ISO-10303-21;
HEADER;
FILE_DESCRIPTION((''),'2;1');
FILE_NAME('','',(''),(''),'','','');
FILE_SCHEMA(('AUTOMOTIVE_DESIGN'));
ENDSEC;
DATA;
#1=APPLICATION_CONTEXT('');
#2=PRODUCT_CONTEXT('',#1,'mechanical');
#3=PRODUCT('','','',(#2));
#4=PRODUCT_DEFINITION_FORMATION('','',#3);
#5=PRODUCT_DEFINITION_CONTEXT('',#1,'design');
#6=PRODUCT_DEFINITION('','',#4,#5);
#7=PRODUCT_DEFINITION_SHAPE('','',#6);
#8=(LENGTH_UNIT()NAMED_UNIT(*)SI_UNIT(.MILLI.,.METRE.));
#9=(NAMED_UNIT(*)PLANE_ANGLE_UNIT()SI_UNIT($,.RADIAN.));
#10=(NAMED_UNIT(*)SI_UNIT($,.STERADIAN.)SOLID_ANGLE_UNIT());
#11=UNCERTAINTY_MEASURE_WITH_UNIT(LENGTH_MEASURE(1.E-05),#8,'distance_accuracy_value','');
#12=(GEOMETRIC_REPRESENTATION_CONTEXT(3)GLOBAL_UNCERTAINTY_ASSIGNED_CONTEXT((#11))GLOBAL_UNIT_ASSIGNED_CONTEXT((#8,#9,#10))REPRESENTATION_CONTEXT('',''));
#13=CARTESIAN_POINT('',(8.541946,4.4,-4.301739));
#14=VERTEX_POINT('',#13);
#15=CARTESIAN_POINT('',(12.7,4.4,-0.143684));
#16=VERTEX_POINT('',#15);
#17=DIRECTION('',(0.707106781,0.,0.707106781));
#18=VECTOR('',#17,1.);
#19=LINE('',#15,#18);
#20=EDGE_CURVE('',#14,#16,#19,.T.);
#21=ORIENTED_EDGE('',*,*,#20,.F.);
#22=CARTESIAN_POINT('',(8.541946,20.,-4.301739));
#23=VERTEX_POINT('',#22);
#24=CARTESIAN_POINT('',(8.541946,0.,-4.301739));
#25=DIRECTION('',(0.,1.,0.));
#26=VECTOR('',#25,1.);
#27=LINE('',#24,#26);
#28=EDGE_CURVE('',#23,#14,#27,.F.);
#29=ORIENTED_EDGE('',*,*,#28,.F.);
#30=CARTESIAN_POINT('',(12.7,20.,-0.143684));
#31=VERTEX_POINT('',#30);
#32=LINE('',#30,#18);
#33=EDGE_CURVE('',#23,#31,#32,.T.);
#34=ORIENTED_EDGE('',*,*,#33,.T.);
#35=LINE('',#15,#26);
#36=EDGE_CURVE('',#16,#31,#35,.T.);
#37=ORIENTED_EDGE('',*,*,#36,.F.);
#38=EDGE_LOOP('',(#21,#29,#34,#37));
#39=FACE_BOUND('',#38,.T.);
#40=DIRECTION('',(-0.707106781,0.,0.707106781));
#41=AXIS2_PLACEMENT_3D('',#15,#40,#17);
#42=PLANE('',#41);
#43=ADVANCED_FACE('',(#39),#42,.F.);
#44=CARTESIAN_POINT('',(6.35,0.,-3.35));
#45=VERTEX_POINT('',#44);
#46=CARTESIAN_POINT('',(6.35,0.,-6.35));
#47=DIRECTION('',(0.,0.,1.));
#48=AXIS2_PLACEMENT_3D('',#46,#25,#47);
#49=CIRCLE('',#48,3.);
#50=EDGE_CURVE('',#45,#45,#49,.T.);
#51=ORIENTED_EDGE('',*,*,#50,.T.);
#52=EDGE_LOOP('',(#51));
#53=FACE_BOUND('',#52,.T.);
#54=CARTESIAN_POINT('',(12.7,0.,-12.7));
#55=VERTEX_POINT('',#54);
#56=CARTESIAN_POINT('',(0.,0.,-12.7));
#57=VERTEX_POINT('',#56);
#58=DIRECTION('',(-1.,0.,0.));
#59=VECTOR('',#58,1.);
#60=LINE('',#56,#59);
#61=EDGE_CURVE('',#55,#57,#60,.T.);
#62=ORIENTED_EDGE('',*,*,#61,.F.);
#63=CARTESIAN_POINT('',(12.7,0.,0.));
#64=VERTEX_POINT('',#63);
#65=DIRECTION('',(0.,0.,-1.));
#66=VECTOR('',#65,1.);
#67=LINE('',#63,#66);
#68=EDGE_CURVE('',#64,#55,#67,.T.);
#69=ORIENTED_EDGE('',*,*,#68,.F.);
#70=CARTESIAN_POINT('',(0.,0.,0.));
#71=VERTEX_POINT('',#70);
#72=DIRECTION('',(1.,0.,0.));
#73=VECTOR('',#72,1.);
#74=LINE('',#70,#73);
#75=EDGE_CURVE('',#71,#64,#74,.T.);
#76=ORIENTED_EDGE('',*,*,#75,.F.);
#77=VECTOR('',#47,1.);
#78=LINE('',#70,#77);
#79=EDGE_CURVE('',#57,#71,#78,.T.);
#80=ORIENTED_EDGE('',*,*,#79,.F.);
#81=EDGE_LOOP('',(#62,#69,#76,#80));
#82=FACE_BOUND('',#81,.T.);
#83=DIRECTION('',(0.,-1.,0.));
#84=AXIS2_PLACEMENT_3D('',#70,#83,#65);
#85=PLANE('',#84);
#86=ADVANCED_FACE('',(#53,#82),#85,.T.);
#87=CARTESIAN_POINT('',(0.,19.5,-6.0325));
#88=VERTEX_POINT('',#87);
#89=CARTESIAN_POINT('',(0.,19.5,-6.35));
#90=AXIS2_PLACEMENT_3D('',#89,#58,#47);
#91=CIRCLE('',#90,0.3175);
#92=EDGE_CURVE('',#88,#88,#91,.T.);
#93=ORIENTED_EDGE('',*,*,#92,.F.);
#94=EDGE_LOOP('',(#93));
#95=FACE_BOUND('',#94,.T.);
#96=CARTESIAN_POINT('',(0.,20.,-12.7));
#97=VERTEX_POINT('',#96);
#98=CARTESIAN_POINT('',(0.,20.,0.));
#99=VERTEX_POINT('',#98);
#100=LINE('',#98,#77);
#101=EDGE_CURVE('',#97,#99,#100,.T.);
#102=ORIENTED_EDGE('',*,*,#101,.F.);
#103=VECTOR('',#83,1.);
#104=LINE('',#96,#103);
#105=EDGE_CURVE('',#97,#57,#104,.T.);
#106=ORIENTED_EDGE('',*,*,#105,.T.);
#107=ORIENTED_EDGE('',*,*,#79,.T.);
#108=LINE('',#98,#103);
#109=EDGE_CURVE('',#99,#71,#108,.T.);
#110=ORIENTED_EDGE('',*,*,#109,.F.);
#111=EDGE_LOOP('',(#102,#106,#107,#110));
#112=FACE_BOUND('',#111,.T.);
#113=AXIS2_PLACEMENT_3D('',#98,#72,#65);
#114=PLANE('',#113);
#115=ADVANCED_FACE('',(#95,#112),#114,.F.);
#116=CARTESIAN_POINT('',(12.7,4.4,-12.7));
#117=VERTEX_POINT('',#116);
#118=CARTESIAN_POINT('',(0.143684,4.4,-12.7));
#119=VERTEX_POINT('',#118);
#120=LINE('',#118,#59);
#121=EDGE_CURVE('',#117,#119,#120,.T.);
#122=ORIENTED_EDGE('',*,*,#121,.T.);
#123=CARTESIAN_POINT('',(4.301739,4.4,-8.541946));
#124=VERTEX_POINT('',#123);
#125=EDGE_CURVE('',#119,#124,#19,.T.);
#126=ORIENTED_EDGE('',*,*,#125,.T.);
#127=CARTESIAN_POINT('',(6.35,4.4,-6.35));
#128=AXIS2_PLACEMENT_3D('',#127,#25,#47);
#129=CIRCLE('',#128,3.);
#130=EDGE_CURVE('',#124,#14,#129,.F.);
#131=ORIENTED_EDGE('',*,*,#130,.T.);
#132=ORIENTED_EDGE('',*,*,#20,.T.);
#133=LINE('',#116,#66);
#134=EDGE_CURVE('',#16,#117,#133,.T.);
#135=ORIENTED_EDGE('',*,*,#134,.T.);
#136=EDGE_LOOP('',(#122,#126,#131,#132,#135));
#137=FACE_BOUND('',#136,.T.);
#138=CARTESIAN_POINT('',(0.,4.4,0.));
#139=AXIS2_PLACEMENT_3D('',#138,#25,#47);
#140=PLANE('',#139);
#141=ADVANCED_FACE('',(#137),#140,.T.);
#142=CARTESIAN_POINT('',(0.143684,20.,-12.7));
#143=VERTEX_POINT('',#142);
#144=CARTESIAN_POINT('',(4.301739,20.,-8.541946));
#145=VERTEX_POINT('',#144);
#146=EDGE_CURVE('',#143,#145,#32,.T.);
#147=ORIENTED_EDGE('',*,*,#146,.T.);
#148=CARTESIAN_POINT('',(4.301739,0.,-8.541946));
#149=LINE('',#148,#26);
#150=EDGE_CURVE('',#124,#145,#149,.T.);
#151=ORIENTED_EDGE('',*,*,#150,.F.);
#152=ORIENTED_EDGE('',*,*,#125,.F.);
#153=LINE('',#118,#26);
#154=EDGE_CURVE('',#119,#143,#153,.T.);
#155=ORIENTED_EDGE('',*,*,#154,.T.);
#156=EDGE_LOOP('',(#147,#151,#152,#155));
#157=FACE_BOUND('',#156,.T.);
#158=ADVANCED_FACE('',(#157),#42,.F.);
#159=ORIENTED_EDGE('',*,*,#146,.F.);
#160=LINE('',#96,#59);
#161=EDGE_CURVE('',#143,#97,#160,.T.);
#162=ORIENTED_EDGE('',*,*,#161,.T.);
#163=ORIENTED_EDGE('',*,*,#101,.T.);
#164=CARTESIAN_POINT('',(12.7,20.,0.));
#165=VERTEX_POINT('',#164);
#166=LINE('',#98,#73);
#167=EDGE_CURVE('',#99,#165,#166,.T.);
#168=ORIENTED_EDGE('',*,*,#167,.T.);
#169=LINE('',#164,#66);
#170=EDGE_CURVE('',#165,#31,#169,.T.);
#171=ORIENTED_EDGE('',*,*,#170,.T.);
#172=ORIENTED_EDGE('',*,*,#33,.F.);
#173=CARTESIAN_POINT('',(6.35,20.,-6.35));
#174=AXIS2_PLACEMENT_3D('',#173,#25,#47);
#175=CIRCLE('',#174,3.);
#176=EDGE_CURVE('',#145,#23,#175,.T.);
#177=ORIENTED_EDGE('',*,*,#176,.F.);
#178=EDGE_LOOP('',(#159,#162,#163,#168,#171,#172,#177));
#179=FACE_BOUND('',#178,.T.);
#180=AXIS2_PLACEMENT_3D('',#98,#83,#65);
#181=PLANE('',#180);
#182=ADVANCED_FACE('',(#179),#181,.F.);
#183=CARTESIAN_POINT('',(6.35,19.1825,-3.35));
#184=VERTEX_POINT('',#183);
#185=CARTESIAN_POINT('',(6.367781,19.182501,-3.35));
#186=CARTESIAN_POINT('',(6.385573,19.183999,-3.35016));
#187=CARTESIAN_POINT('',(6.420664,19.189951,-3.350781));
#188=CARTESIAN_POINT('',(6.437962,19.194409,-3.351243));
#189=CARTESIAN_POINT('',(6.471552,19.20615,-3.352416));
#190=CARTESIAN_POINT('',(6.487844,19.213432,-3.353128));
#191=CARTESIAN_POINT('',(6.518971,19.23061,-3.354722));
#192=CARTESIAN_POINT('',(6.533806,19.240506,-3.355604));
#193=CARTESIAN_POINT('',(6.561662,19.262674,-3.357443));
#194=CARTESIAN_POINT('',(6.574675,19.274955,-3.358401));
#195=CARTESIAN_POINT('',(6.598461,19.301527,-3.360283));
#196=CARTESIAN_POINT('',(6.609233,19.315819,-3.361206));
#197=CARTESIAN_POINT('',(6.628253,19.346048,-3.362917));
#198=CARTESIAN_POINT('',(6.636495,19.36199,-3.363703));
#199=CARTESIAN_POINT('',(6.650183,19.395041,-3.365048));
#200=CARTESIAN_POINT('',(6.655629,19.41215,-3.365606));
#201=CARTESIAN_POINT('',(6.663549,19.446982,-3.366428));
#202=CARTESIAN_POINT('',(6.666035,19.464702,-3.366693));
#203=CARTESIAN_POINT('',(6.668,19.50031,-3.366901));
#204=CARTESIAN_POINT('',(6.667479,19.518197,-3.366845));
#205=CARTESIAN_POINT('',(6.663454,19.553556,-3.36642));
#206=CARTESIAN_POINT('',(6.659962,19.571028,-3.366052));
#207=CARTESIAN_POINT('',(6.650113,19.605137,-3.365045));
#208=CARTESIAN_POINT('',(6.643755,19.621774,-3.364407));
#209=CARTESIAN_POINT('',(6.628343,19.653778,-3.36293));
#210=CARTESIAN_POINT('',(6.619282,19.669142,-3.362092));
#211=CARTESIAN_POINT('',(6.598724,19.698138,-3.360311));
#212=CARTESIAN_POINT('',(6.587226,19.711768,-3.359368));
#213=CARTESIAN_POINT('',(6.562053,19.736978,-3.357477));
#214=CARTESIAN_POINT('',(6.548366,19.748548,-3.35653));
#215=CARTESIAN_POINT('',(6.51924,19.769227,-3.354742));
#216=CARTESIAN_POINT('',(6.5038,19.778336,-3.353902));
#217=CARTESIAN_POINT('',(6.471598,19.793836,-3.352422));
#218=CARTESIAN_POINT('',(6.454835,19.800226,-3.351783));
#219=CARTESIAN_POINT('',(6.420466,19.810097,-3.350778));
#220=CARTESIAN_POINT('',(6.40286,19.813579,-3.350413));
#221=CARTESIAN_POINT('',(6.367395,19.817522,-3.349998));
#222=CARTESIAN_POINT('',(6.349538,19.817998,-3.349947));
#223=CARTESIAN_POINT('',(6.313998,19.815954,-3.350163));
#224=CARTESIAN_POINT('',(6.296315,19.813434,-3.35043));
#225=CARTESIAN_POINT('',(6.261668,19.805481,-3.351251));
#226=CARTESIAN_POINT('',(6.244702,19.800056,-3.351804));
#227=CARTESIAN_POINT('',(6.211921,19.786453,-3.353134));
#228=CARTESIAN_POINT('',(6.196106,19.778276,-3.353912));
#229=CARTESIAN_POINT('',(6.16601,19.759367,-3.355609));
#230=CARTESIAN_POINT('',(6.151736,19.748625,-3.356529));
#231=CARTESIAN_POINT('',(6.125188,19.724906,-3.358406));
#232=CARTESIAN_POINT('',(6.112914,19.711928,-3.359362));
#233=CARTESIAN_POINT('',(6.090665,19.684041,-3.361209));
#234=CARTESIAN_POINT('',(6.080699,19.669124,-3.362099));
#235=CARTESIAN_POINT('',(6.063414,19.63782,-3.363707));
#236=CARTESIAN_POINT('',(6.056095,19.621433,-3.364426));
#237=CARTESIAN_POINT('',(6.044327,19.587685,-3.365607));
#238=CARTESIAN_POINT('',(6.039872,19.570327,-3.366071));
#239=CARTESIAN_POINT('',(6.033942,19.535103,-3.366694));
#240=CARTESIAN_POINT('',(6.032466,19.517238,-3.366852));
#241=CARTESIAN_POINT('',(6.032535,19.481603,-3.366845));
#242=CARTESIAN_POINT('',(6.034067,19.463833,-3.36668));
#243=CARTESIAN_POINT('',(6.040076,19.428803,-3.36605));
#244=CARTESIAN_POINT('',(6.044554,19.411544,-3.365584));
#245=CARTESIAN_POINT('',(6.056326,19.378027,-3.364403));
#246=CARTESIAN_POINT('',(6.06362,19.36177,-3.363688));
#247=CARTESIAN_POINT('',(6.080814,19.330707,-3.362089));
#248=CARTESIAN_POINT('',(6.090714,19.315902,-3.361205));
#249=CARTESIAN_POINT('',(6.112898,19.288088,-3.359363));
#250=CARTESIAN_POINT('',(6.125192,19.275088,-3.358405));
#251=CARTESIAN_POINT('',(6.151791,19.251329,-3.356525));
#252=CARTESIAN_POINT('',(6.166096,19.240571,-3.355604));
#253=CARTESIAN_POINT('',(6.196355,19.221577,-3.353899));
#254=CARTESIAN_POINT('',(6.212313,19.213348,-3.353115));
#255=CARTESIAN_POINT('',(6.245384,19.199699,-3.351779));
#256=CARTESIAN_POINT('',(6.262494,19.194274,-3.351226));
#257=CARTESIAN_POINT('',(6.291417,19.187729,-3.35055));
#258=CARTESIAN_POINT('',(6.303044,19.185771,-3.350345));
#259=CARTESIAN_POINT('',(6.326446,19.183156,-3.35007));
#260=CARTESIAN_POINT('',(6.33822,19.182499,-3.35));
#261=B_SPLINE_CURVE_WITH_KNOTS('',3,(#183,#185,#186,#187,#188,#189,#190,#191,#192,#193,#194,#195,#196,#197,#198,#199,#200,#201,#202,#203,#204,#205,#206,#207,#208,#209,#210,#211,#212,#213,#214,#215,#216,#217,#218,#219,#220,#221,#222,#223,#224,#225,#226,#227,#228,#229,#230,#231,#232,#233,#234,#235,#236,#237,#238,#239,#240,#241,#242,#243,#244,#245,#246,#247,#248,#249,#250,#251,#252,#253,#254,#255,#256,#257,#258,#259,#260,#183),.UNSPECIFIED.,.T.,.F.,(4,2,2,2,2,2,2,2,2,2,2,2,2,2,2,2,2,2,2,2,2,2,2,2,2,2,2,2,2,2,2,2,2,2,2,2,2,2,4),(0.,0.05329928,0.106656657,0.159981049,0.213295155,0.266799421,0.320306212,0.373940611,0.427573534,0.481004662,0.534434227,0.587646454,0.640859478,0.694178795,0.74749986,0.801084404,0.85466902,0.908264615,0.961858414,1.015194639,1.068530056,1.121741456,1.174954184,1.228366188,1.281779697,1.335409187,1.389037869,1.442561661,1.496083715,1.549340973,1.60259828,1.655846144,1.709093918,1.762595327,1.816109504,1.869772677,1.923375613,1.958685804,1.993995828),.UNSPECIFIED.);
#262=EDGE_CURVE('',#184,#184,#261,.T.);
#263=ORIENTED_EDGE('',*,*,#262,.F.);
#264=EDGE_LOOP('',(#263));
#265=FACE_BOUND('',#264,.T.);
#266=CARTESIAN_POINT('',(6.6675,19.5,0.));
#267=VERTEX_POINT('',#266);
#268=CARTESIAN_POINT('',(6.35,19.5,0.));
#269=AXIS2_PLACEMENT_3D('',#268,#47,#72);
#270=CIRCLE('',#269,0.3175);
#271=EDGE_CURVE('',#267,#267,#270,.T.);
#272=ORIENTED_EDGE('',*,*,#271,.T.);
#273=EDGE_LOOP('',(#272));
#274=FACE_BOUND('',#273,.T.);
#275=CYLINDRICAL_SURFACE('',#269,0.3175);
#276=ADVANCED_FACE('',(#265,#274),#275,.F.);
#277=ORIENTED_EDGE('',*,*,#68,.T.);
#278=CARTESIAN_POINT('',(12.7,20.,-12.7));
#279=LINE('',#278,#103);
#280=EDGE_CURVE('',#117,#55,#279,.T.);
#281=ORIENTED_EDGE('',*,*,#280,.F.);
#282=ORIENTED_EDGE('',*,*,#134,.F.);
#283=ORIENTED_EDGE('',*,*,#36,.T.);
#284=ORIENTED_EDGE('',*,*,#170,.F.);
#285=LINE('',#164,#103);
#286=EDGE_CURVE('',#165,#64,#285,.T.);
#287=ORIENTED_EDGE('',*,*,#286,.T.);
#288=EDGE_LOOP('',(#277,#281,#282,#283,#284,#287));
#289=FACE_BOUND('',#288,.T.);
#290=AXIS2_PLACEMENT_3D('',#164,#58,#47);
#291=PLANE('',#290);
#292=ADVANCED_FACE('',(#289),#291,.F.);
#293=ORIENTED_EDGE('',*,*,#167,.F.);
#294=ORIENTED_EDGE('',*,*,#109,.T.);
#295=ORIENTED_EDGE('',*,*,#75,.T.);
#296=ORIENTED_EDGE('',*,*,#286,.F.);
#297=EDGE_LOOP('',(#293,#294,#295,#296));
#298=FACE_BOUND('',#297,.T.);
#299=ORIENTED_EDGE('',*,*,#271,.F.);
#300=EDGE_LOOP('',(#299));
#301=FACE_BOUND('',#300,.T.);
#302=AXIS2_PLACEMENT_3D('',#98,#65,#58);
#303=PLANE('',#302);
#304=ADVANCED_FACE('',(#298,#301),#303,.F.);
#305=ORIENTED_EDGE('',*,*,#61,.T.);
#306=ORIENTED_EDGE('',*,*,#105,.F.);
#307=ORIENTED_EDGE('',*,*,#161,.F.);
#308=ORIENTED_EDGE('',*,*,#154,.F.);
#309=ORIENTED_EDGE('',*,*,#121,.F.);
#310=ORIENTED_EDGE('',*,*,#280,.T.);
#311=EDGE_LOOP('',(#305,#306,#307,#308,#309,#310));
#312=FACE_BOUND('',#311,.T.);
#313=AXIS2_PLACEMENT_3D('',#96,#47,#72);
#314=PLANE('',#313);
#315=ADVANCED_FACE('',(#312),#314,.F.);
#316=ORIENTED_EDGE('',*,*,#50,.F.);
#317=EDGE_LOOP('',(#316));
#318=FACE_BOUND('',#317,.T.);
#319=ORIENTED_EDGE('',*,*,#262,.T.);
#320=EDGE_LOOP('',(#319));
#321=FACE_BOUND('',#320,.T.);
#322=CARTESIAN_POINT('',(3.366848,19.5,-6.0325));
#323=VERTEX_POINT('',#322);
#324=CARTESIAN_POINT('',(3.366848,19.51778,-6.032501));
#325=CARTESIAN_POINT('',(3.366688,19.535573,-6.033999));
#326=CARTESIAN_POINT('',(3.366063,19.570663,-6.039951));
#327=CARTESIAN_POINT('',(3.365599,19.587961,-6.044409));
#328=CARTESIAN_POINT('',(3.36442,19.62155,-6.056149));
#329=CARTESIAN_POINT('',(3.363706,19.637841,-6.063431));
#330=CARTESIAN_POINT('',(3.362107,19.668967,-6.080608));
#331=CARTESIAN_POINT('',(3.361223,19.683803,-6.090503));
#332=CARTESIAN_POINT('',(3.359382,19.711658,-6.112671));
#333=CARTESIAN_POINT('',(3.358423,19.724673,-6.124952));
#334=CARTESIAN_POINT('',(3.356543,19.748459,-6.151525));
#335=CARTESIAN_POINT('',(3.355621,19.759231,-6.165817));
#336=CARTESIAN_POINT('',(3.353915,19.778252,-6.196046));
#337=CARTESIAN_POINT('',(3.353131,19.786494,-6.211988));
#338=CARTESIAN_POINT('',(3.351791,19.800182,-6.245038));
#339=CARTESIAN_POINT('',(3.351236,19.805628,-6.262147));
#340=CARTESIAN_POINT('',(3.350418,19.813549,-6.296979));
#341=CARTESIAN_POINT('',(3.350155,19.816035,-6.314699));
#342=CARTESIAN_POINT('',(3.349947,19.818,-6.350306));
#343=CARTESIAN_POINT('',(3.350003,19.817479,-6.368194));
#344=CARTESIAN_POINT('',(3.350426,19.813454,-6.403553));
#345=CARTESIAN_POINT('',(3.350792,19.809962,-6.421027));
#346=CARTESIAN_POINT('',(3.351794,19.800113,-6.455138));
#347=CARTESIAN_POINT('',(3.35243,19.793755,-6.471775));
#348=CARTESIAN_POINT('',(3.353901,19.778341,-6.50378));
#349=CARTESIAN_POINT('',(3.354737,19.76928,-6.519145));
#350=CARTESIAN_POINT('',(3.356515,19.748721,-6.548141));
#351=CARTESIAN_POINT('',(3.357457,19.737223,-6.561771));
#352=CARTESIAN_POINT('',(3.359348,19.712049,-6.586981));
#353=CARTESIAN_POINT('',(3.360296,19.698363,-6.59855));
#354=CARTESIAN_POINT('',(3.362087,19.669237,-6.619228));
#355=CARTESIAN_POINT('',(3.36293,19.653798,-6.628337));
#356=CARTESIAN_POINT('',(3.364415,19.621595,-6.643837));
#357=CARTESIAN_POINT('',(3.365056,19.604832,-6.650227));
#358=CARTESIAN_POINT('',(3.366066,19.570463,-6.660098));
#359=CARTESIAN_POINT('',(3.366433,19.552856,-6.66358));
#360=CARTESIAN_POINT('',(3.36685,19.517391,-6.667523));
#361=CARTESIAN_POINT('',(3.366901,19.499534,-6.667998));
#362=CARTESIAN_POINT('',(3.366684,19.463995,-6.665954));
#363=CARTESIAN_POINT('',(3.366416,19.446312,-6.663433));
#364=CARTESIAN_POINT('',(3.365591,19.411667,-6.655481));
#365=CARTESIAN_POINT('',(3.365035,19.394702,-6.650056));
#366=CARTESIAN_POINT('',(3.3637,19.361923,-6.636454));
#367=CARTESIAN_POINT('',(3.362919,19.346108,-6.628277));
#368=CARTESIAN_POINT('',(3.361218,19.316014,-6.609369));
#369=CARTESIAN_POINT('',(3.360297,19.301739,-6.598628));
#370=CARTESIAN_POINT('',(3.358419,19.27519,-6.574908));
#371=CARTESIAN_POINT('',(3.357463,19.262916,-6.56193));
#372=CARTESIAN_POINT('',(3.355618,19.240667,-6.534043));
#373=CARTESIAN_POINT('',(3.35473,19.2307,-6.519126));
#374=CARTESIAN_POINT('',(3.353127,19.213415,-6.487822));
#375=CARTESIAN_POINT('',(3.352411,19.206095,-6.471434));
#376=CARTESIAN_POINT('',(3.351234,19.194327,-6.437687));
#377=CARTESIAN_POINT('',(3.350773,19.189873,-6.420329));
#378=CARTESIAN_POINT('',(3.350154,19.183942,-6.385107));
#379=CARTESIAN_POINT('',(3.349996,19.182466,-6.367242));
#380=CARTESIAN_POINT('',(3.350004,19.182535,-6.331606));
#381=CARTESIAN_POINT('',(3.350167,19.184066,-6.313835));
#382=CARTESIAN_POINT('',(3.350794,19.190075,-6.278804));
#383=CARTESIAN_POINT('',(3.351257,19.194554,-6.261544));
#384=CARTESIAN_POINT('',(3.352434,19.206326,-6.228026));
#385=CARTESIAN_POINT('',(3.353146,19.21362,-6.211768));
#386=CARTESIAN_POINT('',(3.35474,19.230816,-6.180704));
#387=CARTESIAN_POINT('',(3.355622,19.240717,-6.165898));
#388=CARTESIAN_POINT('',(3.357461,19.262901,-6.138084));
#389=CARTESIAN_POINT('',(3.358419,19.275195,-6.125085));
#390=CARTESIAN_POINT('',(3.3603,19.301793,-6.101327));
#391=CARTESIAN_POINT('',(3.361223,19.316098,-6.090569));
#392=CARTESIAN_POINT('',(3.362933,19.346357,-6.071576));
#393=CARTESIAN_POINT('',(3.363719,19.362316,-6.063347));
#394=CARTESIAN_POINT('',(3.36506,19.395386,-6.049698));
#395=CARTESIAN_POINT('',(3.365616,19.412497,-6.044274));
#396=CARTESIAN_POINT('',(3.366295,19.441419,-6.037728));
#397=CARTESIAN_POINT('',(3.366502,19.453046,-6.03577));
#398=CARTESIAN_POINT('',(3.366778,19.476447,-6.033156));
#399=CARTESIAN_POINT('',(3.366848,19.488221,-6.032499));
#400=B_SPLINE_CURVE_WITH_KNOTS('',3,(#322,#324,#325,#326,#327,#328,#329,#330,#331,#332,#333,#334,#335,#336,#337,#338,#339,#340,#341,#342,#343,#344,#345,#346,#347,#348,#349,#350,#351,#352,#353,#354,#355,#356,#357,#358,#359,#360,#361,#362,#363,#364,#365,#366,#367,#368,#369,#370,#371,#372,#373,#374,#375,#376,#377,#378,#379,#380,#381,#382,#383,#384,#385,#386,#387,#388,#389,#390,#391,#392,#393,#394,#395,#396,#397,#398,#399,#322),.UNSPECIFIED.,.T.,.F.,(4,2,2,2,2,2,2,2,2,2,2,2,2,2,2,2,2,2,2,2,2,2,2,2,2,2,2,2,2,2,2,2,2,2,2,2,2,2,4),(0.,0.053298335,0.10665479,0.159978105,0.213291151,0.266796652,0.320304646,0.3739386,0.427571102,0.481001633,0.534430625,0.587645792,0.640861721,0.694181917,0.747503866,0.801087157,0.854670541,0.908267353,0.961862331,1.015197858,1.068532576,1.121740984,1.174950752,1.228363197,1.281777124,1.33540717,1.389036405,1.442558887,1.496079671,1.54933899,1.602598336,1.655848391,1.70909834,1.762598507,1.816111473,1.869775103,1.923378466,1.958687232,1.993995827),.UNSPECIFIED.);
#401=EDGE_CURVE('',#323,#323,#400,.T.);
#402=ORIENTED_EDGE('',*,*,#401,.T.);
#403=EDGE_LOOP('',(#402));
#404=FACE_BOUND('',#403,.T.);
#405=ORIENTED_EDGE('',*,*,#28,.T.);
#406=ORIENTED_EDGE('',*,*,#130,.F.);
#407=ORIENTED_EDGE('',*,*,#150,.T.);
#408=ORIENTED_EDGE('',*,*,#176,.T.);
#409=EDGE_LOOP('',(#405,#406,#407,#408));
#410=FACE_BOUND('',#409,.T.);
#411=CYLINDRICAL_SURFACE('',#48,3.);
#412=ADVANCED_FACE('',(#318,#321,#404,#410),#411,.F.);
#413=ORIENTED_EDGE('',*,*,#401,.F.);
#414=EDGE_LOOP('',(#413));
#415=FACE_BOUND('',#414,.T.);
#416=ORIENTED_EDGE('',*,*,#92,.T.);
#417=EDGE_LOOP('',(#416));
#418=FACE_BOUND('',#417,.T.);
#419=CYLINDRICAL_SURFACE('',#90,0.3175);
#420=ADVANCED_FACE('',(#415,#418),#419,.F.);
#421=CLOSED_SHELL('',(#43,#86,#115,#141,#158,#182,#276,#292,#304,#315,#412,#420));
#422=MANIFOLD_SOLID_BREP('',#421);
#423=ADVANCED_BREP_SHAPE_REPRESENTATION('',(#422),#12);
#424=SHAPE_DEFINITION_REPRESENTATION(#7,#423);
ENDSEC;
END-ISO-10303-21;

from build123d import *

# Parameters (mm, degrees)
SKETCH1_W                             = 12.7
SKETCH1_H                             = 12.7
BOSS_EXTRUDE1_DEPTH                   = 20
SKETCH2_R                             = 3
CUT_EXTRUDE1_DEPTH                    = 27.880848201
CUT_EXTRUDE2_DEPTH                    = 15.6
F_72_0_025_DIAMETER_HOLE1_D           = 0.635
F_72_0_025_DIAMETER_HOLE1_ON_FACE_2_D = 0.635


with BuildPart() as part:
    # Sketch1 → Boss-Extrude1 (new body)
    with BuildSketch(Plane(origin=(0, 0, 0), x_dir=(1, 0, 0), z_dir=(0, 1, 0))):
        with Locations((6.35, 6.35)):
            Rectangle(SKETCH1_W, SKETCH1_H)
    extrude(amount=BOSS_EXTRUDE1_DEPTH)

    # Sketch2 → Cut-Extrude1 (cut, through all)
    with BuildSketch(Plane(origin=(0, 20, 0), x_dir=(1, 0, 0), z_dir=(0, 1, 0))):
        with Locations(Location((6.35, 6.35, 0), (0, 0, 270))):
            Circle(SKETCH2_R)
    extrude(amount=-CUT_EXTRUDE1_DEPTH, mode=Mode.SUBTRACT)

    # Sketch3 → Cut-Extrude2 (cut)
    with BuildSketch(Plane(origin=(0, 20, 0), x_dir=(1, 0, 0), z_dir=(0, 1, 0))):
        Polygon((12.7, 0.143684098), (0.143684098, 12.7), (12.7, 12.7), align=None)
    extrude(amount=-CUT_EXTRUDE2_DEPTH, mode=Mode.SUBTRACT)

    # #72 (0.025) Diameter Hole1 (through all)
    with Locations(Plane(origin=(6.35, 19.5, 0), x_dir=(1, 0, 0), z_dir=(0, 0, 1))):
        with Locations((0, 0)):
            Hole(F_72_0_025_DIAMETER_HOLE1_D / 2)

    # #72 (0.025) Diameter Hole1 on face 2 (through all)
    with Locations(Plane(origin=(0, 19.5, -6.35), x_dir=(0, 0, -1), z_dir=(-1, 0, 0))):
        with Locations((0, 0)):
            Hole(F_72_0_025_DIAMETER_HOLE1_ON_FACE_2_D / 2)


solid = part.part
